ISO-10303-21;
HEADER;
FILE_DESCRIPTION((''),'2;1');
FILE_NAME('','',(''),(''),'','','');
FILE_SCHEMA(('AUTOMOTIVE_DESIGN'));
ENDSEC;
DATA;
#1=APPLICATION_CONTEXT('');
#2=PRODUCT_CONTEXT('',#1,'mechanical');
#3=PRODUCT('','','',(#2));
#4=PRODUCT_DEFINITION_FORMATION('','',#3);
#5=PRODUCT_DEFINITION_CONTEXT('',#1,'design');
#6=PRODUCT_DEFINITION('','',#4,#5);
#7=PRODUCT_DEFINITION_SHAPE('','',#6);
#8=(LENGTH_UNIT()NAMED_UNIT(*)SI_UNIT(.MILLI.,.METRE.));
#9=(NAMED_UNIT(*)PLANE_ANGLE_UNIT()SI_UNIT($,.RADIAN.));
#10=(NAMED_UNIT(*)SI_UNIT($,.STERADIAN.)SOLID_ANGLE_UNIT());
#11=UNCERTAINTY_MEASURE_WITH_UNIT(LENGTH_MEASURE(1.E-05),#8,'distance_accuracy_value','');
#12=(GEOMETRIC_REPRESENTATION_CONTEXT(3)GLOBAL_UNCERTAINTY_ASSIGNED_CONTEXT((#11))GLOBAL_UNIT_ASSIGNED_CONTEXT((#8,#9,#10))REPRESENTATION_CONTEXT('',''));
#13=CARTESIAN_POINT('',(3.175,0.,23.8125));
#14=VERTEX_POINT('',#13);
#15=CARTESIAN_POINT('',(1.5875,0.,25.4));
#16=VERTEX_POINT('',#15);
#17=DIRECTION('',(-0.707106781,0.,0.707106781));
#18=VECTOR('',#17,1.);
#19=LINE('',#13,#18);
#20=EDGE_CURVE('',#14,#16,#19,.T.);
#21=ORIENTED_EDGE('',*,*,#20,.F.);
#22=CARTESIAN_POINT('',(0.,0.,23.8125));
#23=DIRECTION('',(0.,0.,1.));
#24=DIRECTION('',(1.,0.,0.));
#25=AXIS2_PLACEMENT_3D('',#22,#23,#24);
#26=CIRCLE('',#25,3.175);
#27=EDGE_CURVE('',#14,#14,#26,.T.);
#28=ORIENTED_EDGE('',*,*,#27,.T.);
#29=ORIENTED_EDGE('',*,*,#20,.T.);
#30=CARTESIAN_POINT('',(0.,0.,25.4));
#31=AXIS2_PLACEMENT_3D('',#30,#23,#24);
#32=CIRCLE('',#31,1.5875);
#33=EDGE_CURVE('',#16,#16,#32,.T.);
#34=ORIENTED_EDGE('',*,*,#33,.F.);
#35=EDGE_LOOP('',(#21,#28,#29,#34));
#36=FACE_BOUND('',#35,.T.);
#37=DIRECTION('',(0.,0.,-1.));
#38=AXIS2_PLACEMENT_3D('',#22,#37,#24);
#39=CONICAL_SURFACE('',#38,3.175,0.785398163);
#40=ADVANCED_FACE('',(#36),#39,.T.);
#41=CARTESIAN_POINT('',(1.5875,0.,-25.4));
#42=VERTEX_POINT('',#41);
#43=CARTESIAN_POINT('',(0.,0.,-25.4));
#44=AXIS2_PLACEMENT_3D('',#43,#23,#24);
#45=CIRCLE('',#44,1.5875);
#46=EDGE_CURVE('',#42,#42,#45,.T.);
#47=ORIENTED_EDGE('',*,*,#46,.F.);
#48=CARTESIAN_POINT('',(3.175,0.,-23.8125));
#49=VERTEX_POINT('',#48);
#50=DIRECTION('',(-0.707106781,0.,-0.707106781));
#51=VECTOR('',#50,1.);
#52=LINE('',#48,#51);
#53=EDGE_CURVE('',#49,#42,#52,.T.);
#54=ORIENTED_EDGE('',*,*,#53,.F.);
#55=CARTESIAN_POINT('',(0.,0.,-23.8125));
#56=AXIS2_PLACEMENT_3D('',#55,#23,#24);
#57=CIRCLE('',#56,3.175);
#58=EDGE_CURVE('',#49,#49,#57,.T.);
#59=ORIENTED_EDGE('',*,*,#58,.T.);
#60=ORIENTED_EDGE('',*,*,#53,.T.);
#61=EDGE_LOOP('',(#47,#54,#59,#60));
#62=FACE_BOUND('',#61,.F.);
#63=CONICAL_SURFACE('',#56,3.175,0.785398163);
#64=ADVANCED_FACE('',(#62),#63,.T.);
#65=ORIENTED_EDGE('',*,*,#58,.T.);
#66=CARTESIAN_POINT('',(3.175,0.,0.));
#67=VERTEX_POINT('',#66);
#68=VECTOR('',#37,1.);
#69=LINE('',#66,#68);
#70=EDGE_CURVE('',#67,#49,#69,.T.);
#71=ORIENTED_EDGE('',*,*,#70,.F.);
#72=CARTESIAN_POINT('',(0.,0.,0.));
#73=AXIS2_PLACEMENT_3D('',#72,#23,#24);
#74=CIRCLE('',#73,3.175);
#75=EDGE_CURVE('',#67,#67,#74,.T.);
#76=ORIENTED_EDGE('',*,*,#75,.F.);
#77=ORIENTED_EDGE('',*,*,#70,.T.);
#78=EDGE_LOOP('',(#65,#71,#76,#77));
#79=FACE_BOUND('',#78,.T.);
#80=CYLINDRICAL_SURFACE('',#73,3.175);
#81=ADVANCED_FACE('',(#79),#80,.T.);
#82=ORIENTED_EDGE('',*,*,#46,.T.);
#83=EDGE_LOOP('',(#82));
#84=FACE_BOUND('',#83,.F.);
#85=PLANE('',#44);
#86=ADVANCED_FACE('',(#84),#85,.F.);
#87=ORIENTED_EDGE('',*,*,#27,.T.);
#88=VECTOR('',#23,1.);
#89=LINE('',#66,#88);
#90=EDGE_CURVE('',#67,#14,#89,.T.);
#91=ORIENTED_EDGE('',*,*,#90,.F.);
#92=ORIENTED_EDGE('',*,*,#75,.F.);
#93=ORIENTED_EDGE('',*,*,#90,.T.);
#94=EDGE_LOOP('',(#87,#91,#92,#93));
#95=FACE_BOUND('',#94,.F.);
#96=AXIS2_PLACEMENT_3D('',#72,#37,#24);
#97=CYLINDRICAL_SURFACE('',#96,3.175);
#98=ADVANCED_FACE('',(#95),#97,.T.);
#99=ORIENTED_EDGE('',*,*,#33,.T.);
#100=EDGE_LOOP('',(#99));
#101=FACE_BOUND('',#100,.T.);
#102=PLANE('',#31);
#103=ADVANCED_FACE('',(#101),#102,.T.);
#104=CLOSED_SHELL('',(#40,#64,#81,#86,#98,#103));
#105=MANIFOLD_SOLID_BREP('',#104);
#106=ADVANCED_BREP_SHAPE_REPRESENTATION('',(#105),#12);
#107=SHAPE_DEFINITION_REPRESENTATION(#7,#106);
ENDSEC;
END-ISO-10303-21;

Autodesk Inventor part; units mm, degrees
ref_plane "YZ Plane" through (0, 0, 0) normal (1, 0, 0) x (0, 1, 0)
sketch "CORNER RELIEF 3-8 BIT" plane through (0, 0, 0) normal (0, 0, 1) x (1, 0, 0)
  circle A0 centre (0, 0) radius 5.08
  point P0 (-5.08, 0)
  point P1 (0, 5.08)
  point P2 (5.08, 0)
  point P3 (0, -5.08)
  dimension "d5" = 3.175
  dimension "Thickness" = 3.048
  dimension "d0" = 10.16
sketch "Sketch2" plane through (0, 0, 0) normal (0, 0, 1) x (1, 0, 0)
  circle A0 centre (0, 0) radius 3.175
  dimension "d1" = 6.35
extrude "Extrusion1" add sketch "Sketch2" along normal mid plane 50.8
chamfer "Chamfer1" distance 1.5875 angle 45 2 edges at (-3.175, 0, 25.4) (-3.175, 0, -25.4)
ref_plane "Work Plane1" through (0, 0, -11.1125) normal (0, 0, 1) x (1, 0, 0)
ref_plane "Work Plane2" through (0, 0, 11.1125) normal (0, 0, 1) x (1, 0, 0)
equation "\"PLY_1_2_THICK\" = 11.90752"
equation "\"PLY_3_4_THICK\" = 18.25752"
equation "\"WIG_WD_1_4_THICK\" = 4.7625"
equation "\"WIG_WD_3_8_THICK\" = 7.9375"
equation "\"MDF_1_2_THICK\" = 12"
equation "\"MDF_3_4_THICK\" = 18"
equation "\"BendRadius\" = Thickness"
equation "\"BendReliefWidth\" = Thickness"
equation "\"BendReliefDepth\" = 0.5 * Thickness"
equation "\"CornerReliefSize\" = 4 * Thickness"
equation "\"MinimumRemnant\" = 2 * Thickness"
equation "\"TransitionRadius\" = BendRadius"
equation "\"JacobiRadiusSize\" = BendRadius"
equation "\"GapSize\" = Thickness"
properties part number "97195A419" material "LUMBER WHITE PINE D SELECT"
